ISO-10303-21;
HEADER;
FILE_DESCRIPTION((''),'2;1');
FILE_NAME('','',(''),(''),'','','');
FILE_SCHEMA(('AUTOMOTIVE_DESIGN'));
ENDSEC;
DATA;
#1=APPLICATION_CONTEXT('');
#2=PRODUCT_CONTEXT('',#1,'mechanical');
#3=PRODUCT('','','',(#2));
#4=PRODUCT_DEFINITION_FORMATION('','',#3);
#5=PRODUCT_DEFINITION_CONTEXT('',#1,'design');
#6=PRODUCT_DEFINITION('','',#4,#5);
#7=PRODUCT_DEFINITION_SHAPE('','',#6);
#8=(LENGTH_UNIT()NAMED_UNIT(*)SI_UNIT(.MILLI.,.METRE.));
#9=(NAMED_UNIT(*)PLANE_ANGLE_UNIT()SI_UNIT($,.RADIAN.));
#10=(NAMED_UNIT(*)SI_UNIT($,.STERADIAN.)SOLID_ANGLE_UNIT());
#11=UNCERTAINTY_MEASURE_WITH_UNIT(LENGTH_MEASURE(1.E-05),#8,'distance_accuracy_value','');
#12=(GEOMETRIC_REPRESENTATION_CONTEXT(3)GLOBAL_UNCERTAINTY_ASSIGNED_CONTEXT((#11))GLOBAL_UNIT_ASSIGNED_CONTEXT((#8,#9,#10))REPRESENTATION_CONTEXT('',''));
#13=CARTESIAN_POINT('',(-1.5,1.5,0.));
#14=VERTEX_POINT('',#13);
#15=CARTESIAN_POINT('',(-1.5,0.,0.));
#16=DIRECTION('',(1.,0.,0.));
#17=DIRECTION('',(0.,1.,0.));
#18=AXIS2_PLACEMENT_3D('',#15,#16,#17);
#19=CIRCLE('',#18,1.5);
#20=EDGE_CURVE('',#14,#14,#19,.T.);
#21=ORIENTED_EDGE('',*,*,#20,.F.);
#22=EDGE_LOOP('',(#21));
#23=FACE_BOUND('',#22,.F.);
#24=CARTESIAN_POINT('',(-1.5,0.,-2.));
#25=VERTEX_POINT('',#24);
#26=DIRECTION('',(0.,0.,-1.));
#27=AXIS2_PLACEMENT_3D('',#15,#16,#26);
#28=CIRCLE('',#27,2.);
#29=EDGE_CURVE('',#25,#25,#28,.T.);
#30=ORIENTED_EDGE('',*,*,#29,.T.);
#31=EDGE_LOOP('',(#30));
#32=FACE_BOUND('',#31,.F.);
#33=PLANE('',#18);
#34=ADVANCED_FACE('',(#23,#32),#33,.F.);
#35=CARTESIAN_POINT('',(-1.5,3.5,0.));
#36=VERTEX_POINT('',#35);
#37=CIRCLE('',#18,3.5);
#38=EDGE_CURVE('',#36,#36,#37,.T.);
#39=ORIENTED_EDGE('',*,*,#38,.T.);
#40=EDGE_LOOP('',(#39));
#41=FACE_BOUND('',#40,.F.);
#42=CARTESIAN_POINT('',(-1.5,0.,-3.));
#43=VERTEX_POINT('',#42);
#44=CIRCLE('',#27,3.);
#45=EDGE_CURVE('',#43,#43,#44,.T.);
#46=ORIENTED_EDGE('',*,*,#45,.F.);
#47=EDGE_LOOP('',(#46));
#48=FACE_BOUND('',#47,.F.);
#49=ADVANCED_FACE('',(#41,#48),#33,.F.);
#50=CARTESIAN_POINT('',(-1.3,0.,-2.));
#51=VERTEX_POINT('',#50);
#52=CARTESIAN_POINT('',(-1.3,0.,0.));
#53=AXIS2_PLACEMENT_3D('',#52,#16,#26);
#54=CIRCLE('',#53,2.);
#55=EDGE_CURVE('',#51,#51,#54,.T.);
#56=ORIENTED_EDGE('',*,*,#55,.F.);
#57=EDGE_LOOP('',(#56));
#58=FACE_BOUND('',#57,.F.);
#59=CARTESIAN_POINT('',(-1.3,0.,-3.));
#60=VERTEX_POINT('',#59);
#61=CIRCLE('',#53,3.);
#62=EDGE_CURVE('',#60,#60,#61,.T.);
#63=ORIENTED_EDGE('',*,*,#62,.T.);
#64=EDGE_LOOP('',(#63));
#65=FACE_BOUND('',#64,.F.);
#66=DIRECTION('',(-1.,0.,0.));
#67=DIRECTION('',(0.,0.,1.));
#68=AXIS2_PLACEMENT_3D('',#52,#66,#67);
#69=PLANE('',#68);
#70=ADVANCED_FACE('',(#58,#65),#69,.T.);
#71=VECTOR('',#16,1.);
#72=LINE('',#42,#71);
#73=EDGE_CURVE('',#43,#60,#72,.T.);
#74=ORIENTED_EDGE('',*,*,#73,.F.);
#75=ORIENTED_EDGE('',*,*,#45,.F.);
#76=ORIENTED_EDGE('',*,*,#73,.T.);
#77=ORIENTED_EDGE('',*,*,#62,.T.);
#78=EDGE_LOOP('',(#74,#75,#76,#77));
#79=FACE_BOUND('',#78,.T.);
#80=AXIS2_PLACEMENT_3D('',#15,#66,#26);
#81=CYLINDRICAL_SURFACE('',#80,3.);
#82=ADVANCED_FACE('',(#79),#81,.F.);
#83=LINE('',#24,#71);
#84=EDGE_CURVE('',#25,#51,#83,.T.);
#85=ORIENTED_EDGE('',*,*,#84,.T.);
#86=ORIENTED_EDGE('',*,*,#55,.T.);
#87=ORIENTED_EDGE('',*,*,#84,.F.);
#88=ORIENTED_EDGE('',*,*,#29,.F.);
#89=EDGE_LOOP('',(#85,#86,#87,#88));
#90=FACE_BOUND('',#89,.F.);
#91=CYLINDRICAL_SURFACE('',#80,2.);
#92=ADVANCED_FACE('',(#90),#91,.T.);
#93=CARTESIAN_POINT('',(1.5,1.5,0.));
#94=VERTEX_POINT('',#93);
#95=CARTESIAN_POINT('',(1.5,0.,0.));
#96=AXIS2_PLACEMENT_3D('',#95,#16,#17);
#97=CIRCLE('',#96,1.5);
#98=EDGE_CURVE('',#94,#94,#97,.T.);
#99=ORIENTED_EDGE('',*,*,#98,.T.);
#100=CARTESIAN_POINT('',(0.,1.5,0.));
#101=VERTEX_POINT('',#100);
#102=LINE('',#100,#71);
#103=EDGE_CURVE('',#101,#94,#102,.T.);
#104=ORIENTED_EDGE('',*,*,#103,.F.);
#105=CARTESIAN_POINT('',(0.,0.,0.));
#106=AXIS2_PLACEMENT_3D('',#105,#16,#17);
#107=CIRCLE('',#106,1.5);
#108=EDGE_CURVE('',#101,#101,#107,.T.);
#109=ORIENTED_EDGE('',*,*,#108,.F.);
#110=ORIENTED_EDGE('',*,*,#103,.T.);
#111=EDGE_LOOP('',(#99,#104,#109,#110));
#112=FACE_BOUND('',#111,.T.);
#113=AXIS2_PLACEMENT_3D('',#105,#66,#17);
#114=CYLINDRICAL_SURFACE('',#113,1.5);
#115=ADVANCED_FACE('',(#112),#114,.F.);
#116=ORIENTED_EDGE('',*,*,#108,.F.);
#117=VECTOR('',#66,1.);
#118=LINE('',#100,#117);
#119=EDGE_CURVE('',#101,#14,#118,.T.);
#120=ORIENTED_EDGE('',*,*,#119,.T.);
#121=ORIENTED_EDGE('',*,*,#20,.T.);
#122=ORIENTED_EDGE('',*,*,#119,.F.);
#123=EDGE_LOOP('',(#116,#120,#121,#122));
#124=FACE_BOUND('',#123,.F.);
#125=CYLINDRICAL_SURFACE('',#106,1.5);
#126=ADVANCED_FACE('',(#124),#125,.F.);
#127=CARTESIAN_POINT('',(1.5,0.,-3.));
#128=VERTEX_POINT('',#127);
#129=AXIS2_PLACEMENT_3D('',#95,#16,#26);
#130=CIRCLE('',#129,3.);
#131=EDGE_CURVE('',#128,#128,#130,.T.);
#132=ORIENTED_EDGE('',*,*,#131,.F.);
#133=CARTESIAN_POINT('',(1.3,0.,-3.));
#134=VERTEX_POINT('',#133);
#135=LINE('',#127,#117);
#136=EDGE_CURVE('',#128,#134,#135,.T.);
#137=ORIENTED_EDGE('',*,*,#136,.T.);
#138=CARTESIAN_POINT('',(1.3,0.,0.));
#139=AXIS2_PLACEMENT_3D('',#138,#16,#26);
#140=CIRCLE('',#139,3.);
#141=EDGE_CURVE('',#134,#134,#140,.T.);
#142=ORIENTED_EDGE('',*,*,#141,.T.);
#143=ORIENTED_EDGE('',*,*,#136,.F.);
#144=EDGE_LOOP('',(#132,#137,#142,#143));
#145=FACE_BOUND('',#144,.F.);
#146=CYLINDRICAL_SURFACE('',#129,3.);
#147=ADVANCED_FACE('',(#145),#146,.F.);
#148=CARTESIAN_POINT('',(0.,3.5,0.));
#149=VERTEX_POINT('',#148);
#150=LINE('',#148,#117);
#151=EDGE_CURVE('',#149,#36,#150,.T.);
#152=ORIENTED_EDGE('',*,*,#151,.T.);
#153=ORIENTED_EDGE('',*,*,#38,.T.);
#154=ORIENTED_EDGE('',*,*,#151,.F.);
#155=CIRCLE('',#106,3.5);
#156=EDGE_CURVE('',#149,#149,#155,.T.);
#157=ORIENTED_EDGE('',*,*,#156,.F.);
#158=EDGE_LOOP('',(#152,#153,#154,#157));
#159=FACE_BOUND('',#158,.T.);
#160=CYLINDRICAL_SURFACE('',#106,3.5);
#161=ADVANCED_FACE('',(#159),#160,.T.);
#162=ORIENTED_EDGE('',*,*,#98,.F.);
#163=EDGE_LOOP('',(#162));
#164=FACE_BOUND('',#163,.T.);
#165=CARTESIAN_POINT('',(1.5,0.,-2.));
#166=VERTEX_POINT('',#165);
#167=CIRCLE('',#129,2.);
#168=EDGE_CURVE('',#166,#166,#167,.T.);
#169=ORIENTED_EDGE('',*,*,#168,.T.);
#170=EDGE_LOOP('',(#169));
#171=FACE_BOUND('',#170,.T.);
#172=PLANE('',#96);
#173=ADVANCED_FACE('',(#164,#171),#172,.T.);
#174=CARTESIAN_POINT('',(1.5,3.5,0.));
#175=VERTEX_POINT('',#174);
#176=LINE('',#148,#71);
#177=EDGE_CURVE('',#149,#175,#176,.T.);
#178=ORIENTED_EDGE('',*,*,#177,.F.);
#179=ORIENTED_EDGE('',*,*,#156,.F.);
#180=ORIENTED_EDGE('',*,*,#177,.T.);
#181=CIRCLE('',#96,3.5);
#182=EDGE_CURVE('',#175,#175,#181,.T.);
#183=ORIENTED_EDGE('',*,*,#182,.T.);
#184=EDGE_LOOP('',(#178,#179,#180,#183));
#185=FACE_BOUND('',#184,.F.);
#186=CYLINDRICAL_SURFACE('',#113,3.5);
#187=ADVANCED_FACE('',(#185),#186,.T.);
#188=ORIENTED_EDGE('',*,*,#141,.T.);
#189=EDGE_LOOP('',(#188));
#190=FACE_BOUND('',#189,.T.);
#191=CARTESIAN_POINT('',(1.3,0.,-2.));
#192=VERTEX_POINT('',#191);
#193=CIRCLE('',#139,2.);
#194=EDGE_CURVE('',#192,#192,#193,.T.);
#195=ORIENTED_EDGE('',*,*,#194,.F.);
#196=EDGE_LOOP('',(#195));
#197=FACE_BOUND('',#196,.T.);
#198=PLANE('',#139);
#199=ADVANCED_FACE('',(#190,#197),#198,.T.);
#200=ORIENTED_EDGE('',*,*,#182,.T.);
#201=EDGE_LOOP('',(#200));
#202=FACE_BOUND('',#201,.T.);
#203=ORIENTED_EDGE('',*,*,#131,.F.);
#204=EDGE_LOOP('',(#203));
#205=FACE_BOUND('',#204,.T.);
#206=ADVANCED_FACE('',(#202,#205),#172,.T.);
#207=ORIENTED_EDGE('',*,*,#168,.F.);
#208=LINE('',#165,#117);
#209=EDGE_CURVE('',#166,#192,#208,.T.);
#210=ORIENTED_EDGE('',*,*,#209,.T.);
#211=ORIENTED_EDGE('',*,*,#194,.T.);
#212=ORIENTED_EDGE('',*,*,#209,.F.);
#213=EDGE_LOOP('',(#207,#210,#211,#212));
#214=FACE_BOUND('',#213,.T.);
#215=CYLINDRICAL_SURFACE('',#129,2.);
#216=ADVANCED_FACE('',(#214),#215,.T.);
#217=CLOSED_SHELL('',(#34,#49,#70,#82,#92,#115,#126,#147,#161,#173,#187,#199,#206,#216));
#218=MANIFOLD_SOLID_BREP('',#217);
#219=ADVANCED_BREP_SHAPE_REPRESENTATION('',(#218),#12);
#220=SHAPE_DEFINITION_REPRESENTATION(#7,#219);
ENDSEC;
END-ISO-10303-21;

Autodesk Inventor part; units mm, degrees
ref_plane "YZ Plane" through (0, 0, 0) normal (1, 0, 0) x (0, 1, 0)
ref_plane "XZ Plane" through (0, 0, 0) normal (0, 1, 0) x (-1, 0, 0)
ref_plane "XY Plane" through (0, 0, 0) normal (0, 0, 1) x (1, 0, 0)
sketch "Sketch1" plane through (0, 0, 0) normal (1, 0, 0) x (0, 1, 0)
  circle A0 centre (0, 0) radius 1.5
  circle A1 centre (0, 0) radius 3.5
  dimension "d0" = 3
  dimension "d1" = 7
extrude "Extrusion1" add sketch "Sketch1" along normal mid plane 3
sketch "Sketch2" plane through (1.5, 0, 0) normal (1, 0, 0) x (0, 0, -1)
  circle A0 centre (0, 0) radius 2
  circle A1 centre (0, 0) radius 3
  dimension "d4" = 4
  dimension "d5" = 6
extrude "Extrusion2" cut sketch "Sketch2" against normal blind 0.2
mirror "Mirror1" about plane through (0, 0, 0) normal (1, 0, 0) of "Extrusion2"
properties part number "WheelBearings"
